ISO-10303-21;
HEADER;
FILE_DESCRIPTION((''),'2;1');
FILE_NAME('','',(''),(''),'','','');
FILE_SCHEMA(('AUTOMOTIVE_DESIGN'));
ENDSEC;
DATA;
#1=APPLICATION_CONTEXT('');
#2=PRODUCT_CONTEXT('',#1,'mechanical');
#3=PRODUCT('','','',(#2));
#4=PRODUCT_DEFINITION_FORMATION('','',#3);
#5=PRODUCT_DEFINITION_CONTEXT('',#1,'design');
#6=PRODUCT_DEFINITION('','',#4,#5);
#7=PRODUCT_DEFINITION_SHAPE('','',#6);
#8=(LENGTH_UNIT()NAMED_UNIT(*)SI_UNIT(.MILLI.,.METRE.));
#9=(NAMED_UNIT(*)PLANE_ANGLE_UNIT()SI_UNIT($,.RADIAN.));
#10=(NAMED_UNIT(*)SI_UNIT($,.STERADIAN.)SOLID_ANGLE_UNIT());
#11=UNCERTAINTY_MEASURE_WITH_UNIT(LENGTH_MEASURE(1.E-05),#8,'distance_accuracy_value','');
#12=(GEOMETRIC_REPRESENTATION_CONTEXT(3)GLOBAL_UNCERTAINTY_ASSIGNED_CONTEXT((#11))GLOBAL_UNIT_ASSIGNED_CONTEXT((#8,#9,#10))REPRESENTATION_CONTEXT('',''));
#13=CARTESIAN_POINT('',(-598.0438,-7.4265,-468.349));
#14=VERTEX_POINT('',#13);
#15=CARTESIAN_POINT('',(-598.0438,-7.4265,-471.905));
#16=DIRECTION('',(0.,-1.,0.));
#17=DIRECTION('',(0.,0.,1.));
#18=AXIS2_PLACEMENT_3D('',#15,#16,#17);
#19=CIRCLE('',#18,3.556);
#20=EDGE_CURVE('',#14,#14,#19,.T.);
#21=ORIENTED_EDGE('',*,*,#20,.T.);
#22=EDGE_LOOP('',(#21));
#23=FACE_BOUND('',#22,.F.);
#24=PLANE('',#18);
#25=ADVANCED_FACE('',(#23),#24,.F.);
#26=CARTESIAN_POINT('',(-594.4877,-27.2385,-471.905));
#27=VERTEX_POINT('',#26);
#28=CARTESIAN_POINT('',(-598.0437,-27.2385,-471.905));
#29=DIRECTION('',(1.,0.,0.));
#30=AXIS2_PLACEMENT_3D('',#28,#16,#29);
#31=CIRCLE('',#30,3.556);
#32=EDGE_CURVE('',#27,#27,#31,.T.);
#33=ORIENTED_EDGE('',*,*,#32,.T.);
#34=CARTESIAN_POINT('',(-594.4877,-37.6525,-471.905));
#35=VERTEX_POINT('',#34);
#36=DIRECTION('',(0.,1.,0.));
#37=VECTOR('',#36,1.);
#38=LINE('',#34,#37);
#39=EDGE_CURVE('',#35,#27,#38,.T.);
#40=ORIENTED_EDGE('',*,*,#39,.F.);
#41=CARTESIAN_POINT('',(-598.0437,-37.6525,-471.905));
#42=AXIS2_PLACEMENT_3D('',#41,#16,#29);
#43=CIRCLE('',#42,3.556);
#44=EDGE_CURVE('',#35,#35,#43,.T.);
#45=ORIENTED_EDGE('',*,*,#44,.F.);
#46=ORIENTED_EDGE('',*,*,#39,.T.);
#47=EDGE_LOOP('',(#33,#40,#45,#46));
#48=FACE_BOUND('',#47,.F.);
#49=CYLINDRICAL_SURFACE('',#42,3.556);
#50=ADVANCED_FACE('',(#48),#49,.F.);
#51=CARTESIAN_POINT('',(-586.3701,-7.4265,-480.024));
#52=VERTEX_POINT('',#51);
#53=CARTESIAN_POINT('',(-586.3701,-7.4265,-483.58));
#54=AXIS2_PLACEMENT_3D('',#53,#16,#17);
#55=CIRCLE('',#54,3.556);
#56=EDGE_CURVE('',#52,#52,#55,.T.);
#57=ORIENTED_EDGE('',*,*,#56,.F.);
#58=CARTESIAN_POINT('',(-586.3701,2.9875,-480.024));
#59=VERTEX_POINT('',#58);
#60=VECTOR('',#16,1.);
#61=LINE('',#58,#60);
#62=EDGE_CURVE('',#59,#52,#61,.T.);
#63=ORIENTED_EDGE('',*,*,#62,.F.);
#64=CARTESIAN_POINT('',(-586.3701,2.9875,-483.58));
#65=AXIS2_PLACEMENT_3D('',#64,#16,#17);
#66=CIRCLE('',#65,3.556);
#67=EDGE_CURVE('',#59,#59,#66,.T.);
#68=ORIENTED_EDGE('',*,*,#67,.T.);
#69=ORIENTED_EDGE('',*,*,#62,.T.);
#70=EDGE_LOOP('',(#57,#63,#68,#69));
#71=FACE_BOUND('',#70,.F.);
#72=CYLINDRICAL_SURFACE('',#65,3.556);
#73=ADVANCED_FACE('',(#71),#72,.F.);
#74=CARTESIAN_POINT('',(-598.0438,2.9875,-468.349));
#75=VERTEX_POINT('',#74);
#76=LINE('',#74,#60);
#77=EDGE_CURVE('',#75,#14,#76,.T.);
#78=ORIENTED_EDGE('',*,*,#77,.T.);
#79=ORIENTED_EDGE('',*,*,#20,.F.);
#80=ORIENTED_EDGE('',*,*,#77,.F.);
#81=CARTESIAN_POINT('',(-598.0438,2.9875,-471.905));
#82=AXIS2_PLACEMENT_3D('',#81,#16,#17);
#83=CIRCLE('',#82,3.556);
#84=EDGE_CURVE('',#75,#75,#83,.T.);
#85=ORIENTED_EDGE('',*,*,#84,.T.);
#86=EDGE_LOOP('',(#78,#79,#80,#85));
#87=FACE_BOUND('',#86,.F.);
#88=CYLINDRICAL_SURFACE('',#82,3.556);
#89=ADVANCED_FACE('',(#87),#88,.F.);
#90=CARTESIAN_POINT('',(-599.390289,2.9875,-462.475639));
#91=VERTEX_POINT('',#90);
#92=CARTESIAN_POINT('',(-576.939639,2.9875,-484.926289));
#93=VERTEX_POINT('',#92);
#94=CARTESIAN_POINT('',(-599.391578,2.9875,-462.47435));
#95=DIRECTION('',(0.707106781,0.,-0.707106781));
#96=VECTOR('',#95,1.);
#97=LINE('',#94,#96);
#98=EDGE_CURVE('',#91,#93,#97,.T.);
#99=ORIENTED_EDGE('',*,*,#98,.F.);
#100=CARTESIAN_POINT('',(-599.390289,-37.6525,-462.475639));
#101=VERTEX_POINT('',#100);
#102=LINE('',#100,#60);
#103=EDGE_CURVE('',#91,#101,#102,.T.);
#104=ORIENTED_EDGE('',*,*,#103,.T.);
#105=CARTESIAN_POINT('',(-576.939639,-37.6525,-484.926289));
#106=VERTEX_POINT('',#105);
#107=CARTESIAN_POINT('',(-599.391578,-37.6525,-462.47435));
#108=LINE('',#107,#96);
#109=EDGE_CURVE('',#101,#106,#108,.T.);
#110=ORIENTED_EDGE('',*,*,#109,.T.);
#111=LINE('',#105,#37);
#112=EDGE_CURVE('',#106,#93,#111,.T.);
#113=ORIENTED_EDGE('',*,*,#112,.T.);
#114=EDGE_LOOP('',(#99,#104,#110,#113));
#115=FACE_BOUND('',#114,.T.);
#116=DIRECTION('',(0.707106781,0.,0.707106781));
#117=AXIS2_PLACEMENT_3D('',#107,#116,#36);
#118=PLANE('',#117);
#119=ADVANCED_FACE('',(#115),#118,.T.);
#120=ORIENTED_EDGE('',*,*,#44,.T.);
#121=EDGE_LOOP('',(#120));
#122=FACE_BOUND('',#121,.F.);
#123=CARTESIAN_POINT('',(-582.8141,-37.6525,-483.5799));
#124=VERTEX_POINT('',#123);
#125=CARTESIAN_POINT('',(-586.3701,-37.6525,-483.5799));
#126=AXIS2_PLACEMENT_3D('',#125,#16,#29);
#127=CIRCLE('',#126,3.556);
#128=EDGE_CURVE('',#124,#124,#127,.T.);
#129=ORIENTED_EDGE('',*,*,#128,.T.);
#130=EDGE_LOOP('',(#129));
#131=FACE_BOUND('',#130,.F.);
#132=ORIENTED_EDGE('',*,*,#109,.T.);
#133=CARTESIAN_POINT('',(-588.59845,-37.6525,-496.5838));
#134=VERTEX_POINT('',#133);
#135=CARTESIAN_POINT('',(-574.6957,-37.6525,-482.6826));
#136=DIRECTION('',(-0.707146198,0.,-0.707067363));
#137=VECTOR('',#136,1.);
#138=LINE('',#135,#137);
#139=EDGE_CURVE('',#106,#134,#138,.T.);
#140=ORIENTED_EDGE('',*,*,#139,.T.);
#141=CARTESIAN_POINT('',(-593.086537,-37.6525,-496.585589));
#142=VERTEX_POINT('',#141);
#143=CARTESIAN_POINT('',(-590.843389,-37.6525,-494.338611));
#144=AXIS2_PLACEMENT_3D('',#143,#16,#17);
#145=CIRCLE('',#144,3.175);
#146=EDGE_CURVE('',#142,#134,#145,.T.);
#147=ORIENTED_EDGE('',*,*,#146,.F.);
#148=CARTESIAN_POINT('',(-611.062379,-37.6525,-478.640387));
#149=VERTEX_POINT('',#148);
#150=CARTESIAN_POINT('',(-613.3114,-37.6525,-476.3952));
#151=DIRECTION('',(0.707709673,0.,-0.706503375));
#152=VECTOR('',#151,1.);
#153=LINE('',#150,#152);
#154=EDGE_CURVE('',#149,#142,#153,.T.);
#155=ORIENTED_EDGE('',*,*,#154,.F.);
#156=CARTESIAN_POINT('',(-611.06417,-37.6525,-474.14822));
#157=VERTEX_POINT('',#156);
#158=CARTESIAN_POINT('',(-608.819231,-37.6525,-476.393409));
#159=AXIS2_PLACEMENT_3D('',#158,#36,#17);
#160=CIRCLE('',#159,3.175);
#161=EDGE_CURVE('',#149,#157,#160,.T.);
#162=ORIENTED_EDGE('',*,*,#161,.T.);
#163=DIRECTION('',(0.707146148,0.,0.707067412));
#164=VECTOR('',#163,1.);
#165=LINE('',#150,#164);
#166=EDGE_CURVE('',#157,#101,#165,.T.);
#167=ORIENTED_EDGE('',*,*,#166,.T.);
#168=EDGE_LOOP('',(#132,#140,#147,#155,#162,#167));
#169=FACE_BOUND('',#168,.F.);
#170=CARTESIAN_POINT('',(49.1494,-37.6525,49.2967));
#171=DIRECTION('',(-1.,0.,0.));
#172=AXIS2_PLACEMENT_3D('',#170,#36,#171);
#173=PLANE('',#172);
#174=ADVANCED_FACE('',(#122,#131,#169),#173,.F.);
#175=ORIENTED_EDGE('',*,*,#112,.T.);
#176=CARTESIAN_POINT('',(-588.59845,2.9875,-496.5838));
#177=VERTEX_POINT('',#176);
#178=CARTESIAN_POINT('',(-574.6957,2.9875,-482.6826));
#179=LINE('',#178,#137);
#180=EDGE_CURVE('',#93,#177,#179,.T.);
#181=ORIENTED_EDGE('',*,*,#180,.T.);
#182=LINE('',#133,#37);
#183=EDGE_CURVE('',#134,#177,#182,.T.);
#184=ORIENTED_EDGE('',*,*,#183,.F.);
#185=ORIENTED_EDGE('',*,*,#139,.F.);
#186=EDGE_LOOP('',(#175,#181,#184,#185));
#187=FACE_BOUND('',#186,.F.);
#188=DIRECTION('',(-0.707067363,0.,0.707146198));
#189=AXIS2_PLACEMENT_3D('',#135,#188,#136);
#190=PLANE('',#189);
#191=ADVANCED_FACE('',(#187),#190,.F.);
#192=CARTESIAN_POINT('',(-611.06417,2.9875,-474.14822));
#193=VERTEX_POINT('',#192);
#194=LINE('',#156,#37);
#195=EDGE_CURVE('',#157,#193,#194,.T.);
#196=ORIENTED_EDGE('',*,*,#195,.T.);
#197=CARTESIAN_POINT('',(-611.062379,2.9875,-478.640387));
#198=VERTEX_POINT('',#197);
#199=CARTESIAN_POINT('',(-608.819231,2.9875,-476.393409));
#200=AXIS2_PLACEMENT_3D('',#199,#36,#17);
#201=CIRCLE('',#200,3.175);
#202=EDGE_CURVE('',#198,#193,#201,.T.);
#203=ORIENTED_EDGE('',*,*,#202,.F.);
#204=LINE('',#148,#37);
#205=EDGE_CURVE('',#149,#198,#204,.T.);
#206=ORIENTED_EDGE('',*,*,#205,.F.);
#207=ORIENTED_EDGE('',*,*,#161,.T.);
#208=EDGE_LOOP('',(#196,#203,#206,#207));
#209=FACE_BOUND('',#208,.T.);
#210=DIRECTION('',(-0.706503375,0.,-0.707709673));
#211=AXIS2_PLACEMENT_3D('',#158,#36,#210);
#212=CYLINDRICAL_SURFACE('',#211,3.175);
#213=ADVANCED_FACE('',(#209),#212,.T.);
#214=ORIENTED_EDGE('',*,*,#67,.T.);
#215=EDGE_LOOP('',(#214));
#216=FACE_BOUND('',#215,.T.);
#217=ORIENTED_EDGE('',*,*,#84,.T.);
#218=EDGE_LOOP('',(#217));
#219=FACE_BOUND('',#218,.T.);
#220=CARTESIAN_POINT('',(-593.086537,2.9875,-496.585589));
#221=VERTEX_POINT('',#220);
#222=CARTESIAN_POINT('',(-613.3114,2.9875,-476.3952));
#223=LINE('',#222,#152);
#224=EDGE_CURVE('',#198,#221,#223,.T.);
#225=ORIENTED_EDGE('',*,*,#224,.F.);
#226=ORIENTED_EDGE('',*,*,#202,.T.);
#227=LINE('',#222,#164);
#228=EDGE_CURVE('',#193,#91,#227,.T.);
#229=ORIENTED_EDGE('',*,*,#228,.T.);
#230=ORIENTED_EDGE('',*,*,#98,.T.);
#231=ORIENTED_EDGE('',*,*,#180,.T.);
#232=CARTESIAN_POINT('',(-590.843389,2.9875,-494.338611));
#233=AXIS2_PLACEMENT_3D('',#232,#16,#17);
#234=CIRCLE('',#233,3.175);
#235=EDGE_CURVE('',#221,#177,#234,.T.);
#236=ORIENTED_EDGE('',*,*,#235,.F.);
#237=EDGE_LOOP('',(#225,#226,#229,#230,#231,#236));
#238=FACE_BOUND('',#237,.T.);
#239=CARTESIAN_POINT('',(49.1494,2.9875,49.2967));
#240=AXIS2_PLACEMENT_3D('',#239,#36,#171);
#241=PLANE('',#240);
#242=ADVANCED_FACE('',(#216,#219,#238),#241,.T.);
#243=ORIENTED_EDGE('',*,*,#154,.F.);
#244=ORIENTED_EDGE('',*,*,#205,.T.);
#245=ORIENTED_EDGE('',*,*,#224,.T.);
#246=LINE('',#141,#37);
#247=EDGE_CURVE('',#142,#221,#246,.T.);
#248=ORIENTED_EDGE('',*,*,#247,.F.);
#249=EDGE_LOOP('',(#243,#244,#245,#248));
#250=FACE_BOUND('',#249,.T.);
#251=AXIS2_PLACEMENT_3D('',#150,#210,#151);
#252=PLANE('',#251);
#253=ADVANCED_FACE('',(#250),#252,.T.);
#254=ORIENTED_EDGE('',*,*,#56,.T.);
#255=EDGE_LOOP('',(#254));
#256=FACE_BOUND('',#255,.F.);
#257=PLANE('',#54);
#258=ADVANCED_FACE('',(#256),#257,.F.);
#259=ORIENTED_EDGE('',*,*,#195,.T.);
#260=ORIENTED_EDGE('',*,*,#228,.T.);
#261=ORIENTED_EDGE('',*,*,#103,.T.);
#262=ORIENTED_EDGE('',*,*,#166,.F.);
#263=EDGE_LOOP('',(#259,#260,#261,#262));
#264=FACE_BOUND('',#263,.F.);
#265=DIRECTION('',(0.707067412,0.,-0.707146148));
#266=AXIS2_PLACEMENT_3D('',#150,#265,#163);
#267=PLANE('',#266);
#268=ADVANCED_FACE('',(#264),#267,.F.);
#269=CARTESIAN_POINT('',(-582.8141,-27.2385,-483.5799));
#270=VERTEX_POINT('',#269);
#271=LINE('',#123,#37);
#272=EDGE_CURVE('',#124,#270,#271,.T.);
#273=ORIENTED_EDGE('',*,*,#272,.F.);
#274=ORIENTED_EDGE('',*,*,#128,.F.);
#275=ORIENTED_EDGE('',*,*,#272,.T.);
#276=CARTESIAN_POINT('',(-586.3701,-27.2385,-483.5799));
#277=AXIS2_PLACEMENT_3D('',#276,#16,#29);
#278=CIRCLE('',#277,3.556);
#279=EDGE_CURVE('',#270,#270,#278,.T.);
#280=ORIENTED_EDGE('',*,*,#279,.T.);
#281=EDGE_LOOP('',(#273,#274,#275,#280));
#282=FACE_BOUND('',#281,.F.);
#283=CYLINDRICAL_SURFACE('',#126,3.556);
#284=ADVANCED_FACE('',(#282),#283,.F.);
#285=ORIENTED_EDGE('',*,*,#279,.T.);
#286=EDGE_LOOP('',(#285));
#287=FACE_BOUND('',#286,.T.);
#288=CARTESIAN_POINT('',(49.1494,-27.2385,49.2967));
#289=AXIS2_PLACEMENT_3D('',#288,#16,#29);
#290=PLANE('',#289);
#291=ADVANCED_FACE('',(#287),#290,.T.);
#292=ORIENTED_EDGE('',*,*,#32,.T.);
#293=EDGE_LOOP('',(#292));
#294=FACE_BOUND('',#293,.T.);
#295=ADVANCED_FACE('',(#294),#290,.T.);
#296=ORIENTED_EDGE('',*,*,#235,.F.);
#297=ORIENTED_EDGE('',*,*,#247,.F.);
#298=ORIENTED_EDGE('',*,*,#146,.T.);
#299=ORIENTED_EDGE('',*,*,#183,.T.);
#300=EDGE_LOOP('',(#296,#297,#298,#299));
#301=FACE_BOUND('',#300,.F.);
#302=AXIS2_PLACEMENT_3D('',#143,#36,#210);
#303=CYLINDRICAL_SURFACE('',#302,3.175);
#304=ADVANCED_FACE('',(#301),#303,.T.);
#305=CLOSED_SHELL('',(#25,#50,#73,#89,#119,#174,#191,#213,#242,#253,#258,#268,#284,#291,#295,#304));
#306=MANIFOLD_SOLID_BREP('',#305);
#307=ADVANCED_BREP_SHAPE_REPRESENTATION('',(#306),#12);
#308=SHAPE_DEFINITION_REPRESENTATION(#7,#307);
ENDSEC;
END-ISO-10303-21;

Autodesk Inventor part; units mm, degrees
ref_plane "YZ Plane" through (0, 0, 0) normal (1, 0, 0) x (0, 1, 0)
ref_plane "XZ Plane" through (0, 0, 0) normal (0, 1, 0) x (-1, 0, 0)
ref_plane "XY Plane" through (0, 0, 0) normal (0, 0, 1) x (1, 0, 0)
ref_plane "Work Plane1" through (49.1494, -37.6525, 49.2967) normal (0, 1, 0) x (-1, 0, 0)
sketch "Sketch2" plane through (49.1494, -37.6525, 49.2967) normal (0, 1, 0) x (-1, 0, 0)
  line L0 (662.4608, -525.6919) -> (646.2945, -509.5274) projected
  line L1 (143.1429, -6.4305) -> (69.9168, -79.6645) projected
  line L2 (623.8451, -531.9793) -> (639.991, -548.1234) projected
  line L3 (104.5272, -12.7179) -> (126.9766, 9.734) projected
  line L4 (646.2945, -509.5274) -> (662.4608, -525.6919)
  line L5 (662.4608, -525.6919) -> (639.991, -548.1234)
  line L6 (639.991, -548.1234) -> (623.8451, -531.9793)
  line L7 (623.8451, -531.9793) -> (646.2945, -509.5274)
  point P0 (49.1494, -49.2967)
  point P1 (69.9168, -79.6645)
extrude "Extrusion2" add sketch "Sketch2" along normal blind 40.64
sketch "Sketch3" plane through (49.1494, 2.9875, 49.2967) normal (0, 1, 0) x (1, 0, 0)
  circle A0 centre (-647.1931, 521.2017) radius 2.4765 projected
  circle A1 centre (-635.5195, 532.8766) radius 2.4765 projected
  point P0 (-49.1494, 49.2967)
hole "Hole1" at (-586.3701, 2.9875, -483.58) at (-598.0438, 2.9875, -471.905) direction (0, -1, 0) diameter 7.112 depth 10.414
sketch "Sketch4" plane through (49.1494, -37.6525, 49.2967) normal (0, -1, 0) x (1, 0, 0)
  circle A0 centre (-647.1931, -521.2017) radius 3.556 projected
  circle A1 centre (-635.5195, -532.8766) radius 3.556 projected
  point P0 (-49.1494, -49.2967)
extrude "Extrusion3" cut sketch "Sketch4" against normal blind 10.414
fillet "Fillet1" radius 3.175 2 edges at (-590.8417, -17.3325, -498.8268) (-613.3114, -17.3325, -476.3953)
sketch "Sketch5" plane through (-597.1451, -37.6525, -460.2307) normal (-0.7071, 0, 0.7071) x (0.7071, 0, 0.7071)
  line L0 (0, 40.64) -> (-19.6604, 40.64) projected
  line L1 (0, 0) -> (-3.175, 0)
  line L2 (-3.175, 0) -> (-3.175, 40.64)
  line L3 (-3.175, 40.64) -> (0, 40.64)
  line L4 (0, 40.64) -> (0, 0)
  point P0 (747.6829, 37.6525)
  dimension "d14" = 3.175
extrude "Extrusion4" cut sketch "Sketch5" against normal blind 46.0375
properties part number "Standoff"
